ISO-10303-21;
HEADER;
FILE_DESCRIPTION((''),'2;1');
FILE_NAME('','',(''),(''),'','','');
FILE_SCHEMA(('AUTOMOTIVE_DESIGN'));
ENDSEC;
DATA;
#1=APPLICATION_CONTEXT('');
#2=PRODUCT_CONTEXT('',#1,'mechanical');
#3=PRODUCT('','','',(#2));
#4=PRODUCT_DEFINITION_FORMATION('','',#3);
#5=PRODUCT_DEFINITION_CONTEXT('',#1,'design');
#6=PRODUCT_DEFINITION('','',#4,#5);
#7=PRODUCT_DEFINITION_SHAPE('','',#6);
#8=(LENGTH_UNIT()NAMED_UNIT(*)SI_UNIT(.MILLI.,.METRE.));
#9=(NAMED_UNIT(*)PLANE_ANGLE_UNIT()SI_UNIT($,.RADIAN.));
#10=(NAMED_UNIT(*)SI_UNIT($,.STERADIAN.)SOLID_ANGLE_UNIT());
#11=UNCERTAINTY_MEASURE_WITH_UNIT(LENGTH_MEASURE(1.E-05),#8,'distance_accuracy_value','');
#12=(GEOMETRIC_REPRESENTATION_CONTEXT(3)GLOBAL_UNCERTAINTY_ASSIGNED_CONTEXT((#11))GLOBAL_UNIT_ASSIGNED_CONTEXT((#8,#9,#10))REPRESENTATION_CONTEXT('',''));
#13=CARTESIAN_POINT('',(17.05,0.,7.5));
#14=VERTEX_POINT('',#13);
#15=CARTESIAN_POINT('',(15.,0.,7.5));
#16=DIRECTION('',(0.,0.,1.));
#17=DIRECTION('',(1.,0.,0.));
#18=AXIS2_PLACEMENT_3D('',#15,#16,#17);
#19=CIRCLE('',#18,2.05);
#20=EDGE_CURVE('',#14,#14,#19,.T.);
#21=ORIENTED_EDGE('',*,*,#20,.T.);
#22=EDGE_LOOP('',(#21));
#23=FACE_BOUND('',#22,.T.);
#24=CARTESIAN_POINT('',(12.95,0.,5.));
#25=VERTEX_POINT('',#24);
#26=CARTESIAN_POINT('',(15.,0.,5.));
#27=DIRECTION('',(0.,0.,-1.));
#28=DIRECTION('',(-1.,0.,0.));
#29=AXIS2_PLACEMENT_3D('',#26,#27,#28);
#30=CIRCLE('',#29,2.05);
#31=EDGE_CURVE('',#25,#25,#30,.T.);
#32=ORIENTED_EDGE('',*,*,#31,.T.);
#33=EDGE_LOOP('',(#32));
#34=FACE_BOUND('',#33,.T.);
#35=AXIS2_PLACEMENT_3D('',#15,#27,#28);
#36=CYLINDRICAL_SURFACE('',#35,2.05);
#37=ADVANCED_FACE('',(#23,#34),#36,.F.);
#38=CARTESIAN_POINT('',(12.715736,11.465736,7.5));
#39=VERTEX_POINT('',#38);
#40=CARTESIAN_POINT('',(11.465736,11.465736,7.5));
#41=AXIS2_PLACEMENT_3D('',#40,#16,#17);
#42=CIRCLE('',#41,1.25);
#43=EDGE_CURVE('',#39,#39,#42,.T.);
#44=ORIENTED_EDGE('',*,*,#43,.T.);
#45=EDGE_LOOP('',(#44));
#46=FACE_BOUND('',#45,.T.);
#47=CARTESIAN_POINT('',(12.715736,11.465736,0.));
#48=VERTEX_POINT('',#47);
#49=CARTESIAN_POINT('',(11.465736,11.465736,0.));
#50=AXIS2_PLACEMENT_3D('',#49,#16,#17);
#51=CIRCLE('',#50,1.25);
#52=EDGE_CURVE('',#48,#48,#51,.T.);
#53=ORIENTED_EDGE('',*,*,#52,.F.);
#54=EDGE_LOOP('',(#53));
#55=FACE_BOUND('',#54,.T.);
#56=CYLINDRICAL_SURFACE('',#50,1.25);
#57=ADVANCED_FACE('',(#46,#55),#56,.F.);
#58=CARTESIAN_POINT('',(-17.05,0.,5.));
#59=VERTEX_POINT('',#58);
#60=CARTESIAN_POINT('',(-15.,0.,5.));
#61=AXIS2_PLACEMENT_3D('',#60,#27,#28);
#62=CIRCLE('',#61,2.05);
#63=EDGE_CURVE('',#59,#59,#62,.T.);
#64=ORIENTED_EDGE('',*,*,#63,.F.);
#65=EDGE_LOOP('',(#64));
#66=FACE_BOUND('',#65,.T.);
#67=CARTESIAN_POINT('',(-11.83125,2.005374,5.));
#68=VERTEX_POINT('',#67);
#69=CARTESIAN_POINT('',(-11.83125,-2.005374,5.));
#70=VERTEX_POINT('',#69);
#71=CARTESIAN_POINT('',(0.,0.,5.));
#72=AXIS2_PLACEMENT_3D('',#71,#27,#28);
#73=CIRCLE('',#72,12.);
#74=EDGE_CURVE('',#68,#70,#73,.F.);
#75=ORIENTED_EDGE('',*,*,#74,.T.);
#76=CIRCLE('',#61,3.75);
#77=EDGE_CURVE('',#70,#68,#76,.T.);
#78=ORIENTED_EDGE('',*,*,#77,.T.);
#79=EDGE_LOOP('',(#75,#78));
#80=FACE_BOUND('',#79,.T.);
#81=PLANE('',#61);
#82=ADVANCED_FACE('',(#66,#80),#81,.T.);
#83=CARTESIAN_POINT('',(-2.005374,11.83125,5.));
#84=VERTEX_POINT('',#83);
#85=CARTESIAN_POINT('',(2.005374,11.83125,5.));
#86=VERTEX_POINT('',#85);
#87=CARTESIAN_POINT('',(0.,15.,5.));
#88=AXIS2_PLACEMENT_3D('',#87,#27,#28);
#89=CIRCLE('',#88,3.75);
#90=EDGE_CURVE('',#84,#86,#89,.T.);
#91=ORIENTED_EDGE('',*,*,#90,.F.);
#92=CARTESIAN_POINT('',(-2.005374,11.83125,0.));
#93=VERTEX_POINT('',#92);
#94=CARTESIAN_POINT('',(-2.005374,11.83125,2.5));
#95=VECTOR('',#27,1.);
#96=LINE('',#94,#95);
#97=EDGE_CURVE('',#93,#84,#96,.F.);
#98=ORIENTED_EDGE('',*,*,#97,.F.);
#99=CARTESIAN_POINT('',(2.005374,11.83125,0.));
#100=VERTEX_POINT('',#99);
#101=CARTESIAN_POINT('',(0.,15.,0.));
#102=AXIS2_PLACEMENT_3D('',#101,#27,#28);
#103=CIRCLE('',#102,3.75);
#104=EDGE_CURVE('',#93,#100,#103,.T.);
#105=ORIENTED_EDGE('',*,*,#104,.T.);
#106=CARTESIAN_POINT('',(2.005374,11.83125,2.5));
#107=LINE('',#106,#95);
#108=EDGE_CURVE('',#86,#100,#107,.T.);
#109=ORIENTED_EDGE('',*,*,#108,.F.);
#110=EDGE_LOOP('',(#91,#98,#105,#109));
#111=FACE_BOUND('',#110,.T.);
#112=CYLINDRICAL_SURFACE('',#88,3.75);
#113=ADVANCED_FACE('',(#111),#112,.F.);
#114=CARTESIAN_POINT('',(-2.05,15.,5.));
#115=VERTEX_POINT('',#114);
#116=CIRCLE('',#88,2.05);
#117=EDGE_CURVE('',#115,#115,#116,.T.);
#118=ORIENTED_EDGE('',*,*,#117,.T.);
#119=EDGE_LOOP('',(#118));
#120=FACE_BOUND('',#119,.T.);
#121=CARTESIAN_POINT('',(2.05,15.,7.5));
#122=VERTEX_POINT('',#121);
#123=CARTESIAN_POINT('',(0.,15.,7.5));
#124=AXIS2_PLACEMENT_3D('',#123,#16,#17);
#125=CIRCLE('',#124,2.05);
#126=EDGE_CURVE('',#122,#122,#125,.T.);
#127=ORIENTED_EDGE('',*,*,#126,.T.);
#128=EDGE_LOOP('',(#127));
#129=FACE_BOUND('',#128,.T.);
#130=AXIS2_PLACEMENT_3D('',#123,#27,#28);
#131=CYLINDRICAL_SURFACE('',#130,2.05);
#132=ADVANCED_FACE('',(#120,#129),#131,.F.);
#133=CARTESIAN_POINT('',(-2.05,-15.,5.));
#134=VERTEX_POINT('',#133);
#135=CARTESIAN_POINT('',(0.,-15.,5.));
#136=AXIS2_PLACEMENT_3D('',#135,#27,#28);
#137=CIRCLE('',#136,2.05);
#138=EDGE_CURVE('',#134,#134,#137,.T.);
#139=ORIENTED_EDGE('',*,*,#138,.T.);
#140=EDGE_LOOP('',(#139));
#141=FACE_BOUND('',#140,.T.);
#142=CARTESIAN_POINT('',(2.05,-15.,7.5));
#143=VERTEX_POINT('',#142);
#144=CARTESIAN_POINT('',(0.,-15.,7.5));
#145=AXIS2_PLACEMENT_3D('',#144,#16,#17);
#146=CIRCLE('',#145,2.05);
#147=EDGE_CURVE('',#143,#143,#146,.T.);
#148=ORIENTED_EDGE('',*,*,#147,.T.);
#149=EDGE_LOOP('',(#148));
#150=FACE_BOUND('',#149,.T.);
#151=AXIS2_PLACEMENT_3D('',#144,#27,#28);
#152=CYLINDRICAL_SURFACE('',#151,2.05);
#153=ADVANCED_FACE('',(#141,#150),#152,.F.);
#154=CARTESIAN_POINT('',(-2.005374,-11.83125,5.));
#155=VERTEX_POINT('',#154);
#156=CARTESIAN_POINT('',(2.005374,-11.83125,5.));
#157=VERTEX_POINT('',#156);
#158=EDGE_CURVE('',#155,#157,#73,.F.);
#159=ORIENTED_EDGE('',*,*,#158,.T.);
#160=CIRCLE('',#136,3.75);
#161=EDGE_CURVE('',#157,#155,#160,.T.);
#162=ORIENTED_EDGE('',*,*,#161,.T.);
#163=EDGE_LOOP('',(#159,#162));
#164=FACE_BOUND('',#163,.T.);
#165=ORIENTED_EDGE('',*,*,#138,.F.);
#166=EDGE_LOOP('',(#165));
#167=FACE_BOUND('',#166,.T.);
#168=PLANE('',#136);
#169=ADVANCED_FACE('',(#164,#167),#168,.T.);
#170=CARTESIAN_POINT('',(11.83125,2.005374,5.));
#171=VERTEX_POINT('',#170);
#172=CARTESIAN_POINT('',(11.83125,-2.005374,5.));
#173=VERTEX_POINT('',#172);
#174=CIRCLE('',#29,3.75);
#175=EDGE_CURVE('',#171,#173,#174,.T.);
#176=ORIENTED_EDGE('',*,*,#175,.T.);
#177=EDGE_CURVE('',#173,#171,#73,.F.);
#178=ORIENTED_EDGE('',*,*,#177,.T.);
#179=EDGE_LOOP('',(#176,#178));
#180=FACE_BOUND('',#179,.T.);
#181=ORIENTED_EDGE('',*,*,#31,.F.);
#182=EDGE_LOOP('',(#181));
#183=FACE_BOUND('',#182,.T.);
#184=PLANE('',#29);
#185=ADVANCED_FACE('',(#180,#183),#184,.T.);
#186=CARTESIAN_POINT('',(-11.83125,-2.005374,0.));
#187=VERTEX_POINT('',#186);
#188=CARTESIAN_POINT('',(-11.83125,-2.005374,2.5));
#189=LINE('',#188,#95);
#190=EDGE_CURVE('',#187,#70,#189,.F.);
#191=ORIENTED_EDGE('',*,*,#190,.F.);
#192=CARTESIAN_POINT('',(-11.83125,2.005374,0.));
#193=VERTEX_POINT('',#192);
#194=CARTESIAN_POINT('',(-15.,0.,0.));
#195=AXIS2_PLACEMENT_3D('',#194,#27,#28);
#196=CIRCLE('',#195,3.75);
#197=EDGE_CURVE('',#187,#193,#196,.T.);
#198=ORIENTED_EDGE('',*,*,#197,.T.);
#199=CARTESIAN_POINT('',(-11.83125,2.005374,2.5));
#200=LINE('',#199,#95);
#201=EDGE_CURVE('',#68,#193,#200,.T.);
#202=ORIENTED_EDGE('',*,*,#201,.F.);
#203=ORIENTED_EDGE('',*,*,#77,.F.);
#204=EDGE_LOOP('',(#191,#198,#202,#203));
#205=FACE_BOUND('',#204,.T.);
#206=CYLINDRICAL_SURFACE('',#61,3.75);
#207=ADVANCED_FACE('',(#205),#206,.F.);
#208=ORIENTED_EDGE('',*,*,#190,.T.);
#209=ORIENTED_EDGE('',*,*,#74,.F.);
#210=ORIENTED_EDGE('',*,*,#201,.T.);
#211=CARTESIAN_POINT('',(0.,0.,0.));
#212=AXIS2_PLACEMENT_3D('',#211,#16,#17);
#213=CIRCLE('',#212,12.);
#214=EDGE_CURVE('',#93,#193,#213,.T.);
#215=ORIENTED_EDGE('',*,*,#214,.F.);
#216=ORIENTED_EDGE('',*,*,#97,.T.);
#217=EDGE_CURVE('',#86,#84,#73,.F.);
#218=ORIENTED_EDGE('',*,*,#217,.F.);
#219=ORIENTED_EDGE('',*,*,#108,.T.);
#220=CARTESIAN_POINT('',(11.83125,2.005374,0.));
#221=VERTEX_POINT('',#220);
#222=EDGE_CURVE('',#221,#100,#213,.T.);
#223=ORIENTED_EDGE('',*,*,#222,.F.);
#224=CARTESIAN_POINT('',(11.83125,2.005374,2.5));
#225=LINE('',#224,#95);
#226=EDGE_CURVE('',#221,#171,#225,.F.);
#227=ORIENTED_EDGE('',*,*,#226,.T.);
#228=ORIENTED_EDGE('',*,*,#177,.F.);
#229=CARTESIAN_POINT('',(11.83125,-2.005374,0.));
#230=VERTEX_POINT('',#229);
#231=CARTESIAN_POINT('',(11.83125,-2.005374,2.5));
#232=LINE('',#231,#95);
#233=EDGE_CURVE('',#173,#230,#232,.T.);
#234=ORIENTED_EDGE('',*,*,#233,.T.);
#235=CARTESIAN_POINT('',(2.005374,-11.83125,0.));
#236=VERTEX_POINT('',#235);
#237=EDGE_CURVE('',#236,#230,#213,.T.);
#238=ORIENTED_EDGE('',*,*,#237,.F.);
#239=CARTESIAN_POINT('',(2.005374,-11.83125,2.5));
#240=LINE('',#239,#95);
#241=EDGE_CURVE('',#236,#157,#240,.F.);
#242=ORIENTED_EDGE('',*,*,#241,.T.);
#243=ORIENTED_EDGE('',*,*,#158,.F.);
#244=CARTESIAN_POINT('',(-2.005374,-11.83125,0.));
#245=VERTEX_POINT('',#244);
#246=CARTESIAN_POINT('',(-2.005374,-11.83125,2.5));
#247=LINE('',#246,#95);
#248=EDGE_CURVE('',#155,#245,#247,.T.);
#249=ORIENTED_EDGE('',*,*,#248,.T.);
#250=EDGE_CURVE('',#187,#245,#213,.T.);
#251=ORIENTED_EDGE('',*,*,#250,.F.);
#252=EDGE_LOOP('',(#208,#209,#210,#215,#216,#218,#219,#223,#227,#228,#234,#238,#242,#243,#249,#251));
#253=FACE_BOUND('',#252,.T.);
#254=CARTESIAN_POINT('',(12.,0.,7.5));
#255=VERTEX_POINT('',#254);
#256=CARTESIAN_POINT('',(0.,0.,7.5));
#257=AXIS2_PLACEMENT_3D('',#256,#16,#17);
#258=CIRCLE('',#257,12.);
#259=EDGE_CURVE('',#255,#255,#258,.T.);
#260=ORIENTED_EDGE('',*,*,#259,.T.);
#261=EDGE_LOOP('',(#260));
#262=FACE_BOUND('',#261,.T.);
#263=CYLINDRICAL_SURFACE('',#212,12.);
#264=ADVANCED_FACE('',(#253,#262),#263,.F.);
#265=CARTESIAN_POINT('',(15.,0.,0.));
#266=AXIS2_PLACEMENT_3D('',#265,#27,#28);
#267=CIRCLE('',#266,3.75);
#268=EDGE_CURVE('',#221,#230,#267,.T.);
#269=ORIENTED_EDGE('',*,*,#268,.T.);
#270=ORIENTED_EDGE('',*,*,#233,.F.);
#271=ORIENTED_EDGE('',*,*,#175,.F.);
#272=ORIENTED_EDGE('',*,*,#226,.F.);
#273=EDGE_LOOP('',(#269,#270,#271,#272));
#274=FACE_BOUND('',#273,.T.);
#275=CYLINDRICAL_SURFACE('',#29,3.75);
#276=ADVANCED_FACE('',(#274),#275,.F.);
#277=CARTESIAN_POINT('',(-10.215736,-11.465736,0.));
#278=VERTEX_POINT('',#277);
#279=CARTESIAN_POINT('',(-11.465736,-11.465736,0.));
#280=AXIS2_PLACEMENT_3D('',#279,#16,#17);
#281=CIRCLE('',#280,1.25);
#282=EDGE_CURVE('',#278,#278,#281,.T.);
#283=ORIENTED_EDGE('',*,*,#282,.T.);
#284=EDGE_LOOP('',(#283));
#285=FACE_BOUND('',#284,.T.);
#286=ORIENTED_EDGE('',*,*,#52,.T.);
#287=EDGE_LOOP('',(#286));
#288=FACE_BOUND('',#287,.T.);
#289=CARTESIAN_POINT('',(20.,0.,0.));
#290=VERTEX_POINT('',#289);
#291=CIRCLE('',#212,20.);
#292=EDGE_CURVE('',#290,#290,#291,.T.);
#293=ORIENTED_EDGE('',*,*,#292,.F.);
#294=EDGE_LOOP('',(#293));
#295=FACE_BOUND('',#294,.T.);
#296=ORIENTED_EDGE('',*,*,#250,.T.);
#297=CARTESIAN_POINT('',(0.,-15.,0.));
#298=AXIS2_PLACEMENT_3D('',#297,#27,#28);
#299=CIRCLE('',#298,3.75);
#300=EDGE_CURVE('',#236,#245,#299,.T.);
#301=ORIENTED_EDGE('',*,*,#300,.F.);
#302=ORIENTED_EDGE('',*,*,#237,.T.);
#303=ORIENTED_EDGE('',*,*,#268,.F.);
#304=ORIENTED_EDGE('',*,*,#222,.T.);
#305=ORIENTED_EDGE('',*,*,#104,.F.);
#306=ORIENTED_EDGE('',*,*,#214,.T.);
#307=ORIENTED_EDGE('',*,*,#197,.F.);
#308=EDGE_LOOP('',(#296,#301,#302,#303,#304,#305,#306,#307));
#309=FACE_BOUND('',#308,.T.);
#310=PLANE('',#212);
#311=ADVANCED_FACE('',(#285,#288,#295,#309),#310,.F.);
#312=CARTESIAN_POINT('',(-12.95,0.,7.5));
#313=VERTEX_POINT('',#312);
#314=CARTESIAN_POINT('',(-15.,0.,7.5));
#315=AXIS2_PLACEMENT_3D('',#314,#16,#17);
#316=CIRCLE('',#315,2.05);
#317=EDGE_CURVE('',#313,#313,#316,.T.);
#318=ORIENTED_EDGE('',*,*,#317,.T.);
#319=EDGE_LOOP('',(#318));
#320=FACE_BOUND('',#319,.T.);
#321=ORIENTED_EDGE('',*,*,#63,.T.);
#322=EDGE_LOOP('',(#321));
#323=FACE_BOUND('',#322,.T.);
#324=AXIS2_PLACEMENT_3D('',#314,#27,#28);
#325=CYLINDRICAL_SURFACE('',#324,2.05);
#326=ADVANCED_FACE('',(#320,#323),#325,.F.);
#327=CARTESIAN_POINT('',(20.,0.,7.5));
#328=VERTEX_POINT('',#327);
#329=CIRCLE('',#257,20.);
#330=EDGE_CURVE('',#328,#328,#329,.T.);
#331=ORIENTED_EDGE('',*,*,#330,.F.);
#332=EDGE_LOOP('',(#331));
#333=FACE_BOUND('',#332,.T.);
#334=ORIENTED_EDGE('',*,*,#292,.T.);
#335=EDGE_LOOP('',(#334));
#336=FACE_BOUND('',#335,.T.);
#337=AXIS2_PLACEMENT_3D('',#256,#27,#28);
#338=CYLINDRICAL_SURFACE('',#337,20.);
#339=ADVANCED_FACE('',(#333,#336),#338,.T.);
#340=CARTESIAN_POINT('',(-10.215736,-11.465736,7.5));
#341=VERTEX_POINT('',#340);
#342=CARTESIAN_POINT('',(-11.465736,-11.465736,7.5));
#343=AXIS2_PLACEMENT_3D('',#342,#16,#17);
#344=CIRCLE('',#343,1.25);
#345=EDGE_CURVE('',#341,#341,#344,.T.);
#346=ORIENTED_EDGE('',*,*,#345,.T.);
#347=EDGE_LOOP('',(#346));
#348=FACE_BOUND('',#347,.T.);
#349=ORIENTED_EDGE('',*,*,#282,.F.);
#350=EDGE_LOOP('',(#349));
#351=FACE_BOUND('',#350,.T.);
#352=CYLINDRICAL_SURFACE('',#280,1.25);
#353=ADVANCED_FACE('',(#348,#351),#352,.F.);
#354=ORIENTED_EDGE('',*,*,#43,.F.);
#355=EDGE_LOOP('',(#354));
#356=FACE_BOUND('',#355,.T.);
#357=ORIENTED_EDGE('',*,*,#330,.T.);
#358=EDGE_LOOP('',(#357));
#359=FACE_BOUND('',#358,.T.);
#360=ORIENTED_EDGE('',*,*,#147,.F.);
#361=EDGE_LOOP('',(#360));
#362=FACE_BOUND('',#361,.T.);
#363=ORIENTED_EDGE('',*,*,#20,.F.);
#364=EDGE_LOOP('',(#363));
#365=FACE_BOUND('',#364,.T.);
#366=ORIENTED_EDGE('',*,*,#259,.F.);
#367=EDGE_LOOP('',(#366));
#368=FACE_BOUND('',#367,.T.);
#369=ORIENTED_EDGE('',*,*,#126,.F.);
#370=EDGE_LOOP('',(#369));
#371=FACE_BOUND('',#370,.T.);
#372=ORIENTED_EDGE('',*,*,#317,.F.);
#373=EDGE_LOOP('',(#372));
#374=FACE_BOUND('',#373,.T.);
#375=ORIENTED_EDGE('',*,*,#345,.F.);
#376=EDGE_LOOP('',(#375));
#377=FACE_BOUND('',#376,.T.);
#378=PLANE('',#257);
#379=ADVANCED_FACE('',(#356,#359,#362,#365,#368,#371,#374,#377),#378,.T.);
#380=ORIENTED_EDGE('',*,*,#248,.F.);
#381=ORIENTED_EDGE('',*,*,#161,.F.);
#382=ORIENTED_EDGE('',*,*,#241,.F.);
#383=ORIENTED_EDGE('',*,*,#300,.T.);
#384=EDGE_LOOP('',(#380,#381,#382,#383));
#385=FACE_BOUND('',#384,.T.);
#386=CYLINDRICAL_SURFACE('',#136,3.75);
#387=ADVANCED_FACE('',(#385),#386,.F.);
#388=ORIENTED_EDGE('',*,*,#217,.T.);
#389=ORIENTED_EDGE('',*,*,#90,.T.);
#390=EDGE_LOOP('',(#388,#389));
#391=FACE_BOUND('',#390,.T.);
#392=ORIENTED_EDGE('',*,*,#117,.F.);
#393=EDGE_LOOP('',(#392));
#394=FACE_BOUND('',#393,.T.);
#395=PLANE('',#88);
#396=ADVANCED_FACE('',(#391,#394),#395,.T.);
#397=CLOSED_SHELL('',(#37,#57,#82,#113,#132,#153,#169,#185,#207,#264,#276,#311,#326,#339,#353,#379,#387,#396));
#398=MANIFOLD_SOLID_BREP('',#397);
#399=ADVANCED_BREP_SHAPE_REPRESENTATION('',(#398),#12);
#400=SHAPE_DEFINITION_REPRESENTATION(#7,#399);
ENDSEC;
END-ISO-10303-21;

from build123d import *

# Parameters (mm, degrees)
SKETCH_1_R          = 20
SKETCH_1_R_2        = 2.05
EXTRUDE_1_DEPTH     = 7.5
SKETCH_2_R          = 1.25
SKETCH_2_R_2        = 12
CUT_EXTRUDE_1_DEPTH = 8.5
SKETCH_4_R          = 3.75
CUT_EXTRUDE_3_DEPTH = 5


with BuildPart() as part:
    # ｽｹｯﾁ1 → ﾎﾞｽ - 押し出し1 (new body)
    with BuildSketch(Plane.XY):
        Circle(SKETCH_1_R)
        with Locations((0, 15)):
            Circle(SKETCH_1_R_2, mode=Mode.SUBTRACT)
        with Locations((15, 0)):
            Circle(SKETCH_1_R_2, mode=Mode.SUBTRACT)
        with Locations((0, -15)):
            Circle(SKETCH_1_R_2, mode=Mode.SUBTRACT)
        with Locations((-15, 0)):
            Circle(SKETCH_1_R_2, mode=Mode.SUBTRACT)
    extrude(amount=EXTRUDE_1_DEPTH)

    # ｽｹｯﾁ2 → ｶｯﾄ - 押し出し1 (cut, through all)
    with BuildSketch(Plane.XY.offset(7.5)):
        with Locations((11.465736457, 11.465736457)):
            Circle(SKETCH_2_R)
        with Locations((-11.465736457, -11.465736457)):
            Circle(SKETCH_2_R)
        Circle(SKETCH_2_R_2)
    extrude(amount=-CUT_EXTRUDE_1_DEPTH, mode=Mode.SUBTRACT)

    # ｽｹｯﾁ4 → ｶｯﾄ - 押し出し3 (cut)
    with BuildSketch(Plane(origin=(0, 0, 0), x_dir=(-1, 0, 0), z_dir=(0, 0, -1))):
        with Locations((0, 15)):
            Circle(SKETCH_4_R)
        with Locations((15, 0)):
            Circle(SKETCH_4_R)
        with Locations((0, -15)):
            Circle(SKETCH_4_R)
        with Locations((-15, 0)):
            Circle(SKETCH_4_R)
    extrude(amount=-CUT_EXTRUDE_3_DEPTH, mode=Mode.SUBTRACT)


solid = part.part
